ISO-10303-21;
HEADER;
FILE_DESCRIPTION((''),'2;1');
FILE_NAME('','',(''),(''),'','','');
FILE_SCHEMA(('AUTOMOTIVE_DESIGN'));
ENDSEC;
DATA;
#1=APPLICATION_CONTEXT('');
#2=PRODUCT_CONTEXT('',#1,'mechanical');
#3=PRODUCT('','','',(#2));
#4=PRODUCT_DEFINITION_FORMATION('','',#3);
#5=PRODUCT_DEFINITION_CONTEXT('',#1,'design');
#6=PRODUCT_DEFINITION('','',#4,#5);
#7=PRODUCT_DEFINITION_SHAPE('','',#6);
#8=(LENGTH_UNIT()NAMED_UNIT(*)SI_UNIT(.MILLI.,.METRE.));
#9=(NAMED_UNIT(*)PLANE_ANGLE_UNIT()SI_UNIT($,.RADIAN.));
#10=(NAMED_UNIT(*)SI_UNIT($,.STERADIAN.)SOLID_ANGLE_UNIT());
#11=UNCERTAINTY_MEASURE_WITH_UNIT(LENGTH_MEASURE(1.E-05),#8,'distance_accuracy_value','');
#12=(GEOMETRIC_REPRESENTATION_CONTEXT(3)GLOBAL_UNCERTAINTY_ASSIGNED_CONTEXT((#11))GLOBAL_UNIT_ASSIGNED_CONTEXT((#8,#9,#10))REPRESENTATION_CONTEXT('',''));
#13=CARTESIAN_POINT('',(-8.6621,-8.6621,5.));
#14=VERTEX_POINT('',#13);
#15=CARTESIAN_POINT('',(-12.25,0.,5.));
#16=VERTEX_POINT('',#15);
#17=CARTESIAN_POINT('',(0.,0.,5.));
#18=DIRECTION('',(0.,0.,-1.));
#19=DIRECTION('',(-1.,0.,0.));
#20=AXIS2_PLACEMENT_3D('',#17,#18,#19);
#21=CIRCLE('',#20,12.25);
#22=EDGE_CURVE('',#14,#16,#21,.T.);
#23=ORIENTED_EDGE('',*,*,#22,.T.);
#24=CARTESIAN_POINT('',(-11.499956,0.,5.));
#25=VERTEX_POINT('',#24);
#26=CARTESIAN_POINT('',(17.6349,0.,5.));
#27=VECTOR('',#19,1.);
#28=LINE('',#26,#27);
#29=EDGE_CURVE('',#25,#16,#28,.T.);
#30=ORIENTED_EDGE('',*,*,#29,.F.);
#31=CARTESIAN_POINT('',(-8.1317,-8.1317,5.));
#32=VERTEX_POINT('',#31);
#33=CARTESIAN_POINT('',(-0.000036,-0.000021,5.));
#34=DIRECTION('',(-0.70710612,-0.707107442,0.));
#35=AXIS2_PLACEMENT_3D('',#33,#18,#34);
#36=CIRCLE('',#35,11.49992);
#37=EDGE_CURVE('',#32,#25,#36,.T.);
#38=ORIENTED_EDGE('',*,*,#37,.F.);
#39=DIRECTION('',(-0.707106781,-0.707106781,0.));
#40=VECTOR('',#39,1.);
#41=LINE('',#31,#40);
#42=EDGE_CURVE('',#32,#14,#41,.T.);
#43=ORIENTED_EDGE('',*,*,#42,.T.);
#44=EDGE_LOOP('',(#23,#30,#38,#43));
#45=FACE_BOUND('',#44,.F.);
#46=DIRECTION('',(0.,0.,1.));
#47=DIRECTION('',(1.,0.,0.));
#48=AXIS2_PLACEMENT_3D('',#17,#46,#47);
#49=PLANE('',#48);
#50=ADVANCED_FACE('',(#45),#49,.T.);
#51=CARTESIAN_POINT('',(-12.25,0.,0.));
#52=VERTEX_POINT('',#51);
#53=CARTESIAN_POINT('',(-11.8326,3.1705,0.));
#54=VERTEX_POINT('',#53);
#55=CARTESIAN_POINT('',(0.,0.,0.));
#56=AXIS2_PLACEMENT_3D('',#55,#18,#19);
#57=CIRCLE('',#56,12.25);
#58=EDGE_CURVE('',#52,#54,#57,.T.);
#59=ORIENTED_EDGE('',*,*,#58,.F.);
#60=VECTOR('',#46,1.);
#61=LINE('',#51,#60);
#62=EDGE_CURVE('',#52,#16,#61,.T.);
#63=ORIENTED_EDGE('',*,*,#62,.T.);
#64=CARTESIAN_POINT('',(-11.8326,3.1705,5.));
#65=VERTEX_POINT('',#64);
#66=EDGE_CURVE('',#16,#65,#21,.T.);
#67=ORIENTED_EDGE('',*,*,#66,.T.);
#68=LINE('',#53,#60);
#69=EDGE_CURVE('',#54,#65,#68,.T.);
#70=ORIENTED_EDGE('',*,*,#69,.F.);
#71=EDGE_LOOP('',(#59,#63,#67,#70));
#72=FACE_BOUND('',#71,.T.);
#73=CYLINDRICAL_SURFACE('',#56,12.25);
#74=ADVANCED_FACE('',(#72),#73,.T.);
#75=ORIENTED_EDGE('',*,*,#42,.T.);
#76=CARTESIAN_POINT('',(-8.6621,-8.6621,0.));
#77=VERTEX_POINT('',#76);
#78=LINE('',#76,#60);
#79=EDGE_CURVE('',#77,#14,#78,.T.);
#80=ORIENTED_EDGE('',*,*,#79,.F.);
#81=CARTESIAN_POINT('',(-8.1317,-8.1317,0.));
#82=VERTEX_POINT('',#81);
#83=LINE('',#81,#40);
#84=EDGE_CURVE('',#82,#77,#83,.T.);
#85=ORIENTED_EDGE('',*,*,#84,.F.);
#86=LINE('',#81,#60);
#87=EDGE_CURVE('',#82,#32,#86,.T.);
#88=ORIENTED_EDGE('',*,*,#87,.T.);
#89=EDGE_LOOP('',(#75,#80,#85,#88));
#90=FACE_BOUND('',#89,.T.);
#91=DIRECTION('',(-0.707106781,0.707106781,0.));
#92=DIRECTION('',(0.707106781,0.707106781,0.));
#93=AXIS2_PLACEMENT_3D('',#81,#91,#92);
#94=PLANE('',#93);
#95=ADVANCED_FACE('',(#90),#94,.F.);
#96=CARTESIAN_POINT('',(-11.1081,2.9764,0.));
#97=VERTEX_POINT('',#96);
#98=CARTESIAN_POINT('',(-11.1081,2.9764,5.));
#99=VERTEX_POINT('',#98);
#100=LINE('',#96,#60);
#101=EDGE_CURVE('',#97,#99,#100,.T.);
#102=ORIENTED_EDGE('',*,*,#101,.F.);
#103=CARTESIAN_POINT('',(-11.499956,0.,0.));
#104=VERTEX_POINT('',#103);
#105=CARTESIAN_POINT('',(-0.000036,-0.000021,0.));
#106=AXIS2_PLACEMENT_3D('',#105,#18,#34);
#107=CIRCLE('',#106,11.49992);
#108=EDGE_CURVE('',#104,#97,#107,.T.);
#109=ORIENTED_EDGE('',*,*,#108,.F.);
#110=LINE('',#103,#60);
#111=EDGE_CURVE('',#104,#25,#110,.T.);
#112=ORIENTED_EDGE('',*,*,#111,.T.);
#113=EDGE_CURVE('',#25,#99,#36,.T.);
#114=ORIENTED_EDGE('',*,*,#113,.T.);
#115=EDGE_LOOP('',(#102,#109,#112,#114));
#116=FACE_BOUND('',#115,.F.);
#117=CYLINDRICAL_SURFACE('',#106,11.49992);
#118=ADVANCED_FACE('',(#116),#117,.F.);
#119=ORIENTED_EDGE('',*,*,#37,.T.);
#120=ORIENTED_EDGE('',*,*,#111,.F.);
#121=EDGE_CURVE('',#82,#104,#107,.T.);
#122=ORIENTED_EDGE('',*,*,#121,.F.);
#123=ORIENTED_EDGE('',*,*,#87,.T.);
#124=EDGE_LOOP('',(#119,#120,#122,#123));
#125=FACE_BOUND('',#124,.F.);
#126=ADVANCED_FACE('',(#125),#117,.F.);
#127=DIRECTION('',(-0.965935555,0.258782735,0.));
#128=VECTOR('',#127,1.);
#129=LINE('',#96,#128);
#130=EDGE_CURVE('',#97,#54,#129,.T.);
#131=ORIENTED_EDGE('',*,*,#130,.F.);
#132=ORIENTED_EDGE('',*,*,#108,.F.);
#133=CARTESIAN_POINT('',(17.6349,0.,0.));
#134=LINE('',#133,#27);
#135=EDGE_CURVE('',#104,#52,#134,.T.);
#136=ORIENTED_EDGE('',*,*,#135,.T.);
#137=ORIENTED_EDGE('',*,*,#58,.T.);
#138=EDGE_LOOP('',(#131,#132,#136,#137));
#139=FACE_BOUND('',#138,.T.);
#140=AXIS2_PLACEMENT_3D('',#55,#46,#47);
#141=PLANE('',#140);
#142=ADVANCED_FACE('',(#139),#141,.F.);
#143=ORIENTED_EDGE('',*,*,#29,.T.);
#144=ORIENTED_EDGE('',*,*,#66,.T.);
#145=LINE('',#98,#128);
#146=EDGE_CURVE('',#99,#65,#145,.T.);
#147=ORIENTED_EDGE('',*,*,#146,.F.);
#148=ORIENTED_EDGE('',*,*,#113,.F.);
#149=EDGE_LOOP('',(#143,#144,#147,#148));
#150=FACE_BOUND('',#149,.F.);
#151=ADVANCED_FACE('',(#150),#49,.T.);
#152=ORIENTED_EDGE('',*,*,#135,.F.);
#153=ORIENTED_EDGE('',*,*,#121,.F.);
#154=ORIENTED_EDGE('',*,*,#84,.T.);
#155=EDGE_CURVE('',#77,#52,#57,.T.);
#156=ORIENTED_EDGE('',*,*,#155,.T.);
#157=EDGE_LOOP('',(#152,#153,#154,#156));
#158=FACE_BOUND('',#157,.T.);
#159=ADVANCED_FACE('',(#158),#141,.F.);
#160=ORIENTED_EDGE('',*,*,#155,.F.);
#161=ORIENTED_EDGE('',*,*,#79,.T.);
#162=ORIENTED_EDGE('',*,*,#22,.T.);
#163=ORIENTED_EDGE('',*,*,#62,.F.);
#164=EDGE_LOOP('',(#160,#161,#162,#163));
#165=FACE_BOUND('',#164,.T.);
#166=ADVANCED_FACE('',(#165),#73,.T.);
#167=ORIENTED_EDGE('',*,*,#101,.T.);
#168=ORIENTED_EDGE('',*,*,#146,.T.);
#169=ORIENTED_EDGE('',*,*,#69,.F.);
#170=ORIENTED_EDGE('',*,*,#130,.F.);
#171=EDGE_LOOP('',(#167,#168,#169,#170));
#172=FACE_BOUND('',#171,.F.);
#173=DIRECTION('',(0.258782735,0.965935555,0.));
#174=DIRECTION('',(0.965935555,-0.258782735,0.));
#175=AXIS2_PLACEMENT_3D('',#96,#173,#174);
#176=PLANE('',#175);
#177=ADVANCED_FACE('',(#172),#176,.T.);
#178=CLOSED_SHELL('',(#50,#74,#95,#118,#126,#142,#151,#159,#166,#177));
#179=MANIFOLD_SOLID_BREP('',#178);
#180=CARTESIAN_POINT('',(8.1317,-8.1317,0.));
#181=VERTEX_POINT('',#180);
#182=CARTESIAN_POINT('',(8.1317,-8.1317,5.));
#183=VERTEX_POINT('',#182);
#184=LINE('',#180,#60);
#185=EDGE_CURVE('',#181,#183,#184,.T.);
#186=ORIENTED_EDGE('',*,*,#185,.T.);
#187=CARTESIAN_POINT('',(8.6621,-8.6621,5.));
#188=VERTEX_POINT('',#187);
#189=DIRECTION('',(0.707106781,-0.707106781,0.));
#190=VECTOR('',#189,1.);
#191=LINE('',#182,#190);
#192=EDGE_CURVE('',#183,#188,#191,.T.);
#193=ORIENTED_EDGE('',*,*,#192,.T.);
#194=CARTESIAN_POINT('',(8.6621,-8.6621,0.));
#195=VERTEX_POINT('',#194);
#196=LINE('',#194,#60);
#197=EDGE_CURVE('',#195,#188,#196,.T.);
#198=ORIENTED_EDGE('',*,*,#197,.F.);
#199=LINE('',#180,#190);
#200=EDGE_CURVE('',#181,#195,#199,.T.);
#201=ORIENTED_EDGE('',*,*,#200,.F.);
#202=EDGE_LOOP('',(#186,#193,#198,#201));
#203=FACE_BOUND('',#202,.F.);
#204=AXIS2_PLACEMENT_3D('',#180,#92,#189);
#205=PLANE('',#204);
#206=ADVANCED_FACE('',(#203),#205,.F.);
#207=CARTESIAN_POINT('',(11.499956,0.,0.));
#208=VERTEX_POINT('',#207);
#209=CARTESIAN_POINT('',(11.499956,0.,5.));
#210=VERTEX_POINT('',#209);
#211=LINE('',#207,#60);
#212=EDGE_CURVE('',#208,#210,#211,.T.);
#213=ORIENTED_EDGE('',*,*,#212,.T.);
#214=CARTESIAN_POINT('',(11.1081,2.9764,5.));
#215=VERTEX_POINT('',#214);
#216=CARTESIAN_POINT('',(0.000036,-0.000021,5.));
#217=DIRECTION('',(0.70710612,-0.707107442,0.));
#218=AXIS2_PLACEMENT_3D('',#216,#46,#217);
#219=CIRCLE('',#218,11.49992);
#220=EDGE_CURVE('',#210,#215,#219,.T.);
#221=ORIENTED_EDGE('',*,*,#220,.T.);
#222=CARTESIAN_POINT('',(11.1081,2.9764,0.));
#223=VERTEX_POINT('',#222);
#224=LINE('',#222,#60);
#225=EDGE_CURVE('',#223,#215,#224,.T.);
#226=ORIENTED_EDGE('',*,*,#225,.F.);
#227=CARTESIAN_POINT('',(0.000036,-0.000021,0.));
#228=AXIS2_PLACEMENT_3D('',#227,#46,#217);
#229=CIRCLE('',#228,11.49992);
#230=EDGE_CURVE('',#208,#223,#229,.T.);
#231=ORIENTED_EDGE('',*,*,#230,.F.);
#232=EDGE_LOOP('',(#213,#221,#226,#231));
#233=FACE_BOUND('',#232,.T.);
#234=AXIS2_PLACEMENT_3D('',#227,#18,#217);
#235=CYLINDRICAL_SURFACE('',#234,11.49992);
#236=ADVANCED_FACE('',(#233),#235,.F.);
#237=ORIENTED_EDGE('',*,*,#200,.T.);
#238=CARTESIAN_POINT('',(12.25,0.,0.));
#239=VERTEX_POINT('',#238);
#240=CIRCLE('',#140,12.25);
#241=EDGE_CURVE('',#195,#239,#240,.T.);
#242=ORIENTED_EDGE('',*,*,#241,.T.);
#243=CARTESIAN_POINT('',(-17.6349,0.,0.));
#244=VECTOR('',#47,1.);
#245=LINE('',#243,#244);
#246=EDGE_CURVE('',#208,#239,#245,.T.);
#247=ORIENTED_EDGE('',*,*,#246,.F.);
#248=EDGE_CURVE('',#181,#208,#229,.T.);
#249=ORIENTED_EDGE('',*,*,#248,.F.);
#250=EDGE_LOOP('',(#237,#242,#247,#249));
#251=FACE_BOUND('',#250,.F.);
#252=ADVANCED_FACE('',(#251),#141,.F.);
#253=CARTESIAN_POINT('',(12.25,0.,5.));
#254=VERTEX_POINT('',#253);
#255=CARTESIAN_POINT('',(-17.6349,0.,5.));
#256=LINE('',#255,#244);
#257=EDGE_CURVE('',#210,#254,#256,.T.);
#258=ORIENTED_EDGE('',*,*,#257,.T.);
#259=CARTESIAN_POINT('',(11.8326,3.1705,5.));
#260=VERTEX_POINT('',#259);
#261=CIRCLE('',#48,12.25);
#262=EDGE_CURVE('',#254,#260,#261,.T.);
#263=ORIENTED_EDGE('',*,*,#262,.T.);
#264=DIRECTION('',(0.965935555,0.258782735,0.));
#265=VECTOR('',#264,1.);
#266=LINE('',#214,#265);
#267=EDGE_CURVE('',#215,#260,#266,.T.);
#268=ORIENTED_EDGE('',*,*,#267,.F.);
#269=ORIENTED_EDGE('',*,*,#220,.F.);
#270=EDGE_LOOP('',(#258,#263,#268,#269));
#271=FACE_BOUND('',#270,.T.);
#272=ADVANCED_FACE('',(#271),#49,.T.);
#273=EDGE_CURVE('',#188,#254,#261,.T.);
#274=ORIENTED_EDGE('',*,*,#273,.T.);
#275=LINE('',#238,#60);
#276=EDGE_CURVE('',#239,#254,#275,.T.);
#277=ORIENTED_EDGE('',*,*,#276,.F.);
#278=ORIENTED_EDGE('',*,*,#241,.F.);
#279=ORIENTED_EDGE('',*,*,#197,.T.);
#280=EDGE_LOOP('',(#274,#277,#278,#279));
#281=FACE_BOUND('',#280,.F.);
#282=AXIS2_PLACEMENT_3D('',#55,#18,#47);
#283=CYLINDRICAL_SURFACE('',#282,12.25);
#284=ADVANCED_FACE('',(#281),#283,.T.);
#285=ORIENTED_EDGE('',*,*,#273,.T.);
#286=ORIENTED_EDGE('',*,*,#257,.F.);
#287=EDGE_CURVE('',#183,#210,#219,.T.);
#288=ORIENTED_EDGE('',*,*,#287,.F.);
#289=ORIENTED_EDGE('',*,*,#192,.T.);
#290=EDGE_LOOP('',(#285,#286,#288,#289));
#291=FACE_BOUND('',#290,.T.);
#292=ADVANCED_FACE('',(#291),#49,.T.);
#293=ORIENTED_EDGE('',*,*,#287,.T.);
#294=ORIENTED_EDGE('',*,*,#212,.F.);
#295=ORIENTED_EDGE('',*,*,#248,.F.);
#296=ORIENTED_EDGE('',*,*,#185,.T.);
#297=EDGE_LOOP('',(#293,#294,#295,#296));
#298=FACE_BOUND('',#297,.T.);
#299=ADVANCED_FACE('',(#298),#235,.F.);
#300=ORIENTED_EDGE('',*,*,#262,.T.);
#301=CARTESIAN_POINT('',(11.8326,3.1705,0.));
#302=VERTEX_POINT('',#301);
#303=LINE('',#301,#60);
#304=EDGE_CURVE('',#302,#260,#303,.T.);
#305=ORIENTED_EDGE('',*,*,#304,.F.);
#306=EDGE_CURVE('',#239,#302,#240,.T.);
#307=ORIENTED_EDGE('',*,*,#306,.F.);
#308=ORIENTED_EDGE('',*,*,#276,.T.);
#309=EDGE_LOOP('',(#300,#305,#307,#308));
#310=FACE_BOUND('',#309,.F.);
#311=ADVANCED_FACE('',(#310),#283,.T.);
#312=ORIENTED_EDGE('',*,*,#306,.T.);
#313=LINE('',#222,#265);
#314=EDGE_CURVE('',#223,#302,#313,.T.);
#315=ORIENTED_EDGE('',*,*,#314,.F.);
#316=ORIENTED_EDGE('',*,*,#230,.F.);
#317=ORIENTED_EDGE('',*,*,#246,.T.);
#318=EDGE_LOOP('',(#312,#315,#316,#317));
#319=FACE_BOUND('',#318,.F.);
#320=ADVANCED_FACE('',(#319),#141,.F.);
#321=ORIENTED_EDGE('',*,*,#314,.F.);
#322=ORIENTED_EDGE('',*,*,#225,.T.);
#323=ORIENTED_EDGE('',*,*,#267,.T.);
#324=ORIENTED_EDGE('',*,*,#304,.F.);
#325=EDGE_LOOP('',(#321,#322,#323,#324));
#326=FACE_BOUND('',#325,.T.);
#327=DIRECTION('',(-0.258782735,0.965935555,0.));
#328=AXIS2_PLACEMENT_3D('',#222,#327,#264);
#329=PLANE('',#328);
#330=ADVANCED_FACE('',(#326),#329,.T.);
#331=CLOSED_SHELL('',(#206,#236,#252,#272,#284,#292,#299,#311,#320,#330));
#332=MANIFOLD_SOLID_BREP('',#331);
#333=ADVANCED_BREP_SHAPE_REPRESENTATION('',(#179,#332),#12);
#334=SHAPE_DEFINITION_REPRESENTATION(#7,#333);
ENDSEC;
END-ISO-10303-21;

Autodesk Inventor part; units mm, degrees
ref_plane "YZ Plane" through (0, 0, 0) normal (1, 0, 0) x (0, 1, 0)
ref_plane "XZ Plane" through (0, 0, 0) normal (0, 1, 0) x (-1, 0, 0)
ref_plane "XY Plane" through (0, 0, 0) normal (0, 0, 1) x (1, 0, 0)
sketch "Sketch1" plane through (0, 0, 0) normal (0, 0, 1) x (1, 0, 0)
  circle A0 centre (0, 0) radius 12.25
  line L0 (-17.6349, 0) -> (17.6349, 0) projected
  line L1 (0, -17.15) -> (0, 17.15) projected
  line L2 (11.1081, 2.9764) -> (11.8326, 3.1705)
  line L3 (8.1317, -8.1317) -> (8.6621, -8.6621)
  line L4 (-11.1081, 2.9764) -> (-11.8326, 3.1705)
  line L5 (-8.1317, -8.1317) -> (-8.6621, -8.6621)
  arc A1 (-11.1081, 2.9764) -> (-8.1317, -8.1317) centre (0, 0) ccw
  arc A2 (8.1317, -8.1317) -> (11.1081, 2.9764) centre (0, 0) ccw
  dimension "d1" = 24.5
  dimension "d2" = 15
  dimension "d3" = 45
extrude "Extrusion1" add sketch "Sketch1" along normal blind 5 contours L0 A2 L2 A0 | A0 L3 A2 L0
mirror "Mirror1" about plane through (0, 0, 0) normal (1, 0, 0) of "Extrusion1"
properties part number "ss_inner_adapter"
